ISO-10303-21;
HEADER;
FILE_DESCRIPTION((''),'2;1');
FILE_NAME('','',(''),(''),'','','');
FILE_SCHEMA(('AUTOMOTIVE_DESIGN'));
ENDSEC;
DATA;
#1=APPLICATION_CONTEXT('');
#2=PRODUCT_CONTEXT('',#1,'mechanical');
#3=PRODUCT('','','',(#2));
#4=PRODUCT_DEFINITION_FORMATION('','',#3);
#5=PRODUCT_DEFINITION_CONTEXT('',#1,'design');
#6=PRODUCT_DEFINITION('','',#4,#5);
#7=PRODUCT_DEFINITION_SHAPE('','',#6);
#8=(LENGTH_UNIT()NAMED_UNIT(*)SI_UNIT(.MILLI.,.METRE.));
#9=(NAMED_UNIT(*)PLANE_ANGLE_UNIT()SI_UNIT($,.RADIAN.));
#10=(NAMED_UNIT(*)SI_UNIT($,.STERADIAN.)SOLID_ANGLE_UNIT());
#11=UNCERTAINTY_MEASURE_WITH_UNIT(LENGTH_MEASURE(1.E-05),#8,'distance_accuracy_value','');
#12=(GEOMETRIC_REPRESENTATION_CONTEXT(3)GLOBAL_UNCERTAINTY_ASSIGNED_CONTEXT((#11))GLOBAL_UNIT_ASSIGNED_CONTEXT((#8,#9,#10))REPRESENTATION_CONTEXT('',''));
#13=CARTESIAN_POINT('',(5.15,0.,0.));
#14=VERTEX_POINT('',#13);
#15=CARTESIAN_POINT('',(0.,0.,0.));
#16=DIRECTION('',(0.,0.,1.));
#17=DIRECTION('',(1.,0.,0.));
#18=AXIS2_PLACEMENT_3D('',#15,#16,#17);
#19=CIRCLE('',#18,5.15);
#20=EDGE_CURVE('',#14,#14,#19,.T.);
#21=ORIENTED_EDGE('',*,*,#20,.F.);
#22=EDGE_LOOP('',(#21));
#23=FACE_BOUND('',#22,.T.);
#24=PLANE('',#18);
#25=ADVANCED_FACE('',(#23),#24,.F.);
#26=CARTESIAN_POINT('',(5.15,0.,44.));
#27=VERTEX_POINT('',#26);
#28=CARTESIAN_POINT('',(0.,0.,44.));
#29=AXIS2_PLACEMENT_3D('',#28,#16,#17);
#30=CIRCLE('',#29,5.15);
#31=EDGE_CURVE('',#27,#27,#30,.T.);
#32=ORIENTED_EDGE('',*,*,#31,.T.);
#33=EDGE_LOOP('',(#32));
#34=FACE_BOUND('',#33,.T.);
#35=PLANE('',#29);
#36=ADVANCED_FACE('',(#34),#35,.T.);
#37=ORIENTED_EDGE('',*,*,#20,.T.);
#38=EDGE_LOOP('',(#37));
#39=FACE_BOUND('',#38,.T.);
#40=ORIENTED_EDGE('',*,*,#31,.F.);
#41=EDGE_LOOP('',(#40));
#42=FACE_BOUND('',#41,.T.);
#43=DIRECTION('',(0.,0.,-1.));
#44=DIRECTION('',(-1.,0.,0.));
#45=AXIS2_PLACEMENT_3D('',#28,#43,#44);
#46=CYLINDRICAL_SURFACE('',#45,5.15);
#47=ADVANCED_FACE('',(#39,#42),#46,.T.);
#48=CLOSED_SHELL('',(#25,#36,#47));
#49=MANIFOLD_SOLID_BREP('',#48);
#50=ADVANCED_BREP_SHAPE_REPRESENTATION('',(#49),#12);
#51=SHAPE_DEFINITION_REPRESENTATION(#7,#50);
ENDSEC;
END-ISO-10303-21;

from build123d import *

# Parameters (mm, degrees)
SKETCH1_R      = 5.15
EXTRUDE1_DEPTH = 44


with BuildPart() as part:
    # Sketch1 → Extrude1 (new body)
    with BuildSketch(Plane.XY):
        Circle(SKETCH1_R)
    extrude(amount=EXTRUDE1_DEPTH)


solid = part.part
